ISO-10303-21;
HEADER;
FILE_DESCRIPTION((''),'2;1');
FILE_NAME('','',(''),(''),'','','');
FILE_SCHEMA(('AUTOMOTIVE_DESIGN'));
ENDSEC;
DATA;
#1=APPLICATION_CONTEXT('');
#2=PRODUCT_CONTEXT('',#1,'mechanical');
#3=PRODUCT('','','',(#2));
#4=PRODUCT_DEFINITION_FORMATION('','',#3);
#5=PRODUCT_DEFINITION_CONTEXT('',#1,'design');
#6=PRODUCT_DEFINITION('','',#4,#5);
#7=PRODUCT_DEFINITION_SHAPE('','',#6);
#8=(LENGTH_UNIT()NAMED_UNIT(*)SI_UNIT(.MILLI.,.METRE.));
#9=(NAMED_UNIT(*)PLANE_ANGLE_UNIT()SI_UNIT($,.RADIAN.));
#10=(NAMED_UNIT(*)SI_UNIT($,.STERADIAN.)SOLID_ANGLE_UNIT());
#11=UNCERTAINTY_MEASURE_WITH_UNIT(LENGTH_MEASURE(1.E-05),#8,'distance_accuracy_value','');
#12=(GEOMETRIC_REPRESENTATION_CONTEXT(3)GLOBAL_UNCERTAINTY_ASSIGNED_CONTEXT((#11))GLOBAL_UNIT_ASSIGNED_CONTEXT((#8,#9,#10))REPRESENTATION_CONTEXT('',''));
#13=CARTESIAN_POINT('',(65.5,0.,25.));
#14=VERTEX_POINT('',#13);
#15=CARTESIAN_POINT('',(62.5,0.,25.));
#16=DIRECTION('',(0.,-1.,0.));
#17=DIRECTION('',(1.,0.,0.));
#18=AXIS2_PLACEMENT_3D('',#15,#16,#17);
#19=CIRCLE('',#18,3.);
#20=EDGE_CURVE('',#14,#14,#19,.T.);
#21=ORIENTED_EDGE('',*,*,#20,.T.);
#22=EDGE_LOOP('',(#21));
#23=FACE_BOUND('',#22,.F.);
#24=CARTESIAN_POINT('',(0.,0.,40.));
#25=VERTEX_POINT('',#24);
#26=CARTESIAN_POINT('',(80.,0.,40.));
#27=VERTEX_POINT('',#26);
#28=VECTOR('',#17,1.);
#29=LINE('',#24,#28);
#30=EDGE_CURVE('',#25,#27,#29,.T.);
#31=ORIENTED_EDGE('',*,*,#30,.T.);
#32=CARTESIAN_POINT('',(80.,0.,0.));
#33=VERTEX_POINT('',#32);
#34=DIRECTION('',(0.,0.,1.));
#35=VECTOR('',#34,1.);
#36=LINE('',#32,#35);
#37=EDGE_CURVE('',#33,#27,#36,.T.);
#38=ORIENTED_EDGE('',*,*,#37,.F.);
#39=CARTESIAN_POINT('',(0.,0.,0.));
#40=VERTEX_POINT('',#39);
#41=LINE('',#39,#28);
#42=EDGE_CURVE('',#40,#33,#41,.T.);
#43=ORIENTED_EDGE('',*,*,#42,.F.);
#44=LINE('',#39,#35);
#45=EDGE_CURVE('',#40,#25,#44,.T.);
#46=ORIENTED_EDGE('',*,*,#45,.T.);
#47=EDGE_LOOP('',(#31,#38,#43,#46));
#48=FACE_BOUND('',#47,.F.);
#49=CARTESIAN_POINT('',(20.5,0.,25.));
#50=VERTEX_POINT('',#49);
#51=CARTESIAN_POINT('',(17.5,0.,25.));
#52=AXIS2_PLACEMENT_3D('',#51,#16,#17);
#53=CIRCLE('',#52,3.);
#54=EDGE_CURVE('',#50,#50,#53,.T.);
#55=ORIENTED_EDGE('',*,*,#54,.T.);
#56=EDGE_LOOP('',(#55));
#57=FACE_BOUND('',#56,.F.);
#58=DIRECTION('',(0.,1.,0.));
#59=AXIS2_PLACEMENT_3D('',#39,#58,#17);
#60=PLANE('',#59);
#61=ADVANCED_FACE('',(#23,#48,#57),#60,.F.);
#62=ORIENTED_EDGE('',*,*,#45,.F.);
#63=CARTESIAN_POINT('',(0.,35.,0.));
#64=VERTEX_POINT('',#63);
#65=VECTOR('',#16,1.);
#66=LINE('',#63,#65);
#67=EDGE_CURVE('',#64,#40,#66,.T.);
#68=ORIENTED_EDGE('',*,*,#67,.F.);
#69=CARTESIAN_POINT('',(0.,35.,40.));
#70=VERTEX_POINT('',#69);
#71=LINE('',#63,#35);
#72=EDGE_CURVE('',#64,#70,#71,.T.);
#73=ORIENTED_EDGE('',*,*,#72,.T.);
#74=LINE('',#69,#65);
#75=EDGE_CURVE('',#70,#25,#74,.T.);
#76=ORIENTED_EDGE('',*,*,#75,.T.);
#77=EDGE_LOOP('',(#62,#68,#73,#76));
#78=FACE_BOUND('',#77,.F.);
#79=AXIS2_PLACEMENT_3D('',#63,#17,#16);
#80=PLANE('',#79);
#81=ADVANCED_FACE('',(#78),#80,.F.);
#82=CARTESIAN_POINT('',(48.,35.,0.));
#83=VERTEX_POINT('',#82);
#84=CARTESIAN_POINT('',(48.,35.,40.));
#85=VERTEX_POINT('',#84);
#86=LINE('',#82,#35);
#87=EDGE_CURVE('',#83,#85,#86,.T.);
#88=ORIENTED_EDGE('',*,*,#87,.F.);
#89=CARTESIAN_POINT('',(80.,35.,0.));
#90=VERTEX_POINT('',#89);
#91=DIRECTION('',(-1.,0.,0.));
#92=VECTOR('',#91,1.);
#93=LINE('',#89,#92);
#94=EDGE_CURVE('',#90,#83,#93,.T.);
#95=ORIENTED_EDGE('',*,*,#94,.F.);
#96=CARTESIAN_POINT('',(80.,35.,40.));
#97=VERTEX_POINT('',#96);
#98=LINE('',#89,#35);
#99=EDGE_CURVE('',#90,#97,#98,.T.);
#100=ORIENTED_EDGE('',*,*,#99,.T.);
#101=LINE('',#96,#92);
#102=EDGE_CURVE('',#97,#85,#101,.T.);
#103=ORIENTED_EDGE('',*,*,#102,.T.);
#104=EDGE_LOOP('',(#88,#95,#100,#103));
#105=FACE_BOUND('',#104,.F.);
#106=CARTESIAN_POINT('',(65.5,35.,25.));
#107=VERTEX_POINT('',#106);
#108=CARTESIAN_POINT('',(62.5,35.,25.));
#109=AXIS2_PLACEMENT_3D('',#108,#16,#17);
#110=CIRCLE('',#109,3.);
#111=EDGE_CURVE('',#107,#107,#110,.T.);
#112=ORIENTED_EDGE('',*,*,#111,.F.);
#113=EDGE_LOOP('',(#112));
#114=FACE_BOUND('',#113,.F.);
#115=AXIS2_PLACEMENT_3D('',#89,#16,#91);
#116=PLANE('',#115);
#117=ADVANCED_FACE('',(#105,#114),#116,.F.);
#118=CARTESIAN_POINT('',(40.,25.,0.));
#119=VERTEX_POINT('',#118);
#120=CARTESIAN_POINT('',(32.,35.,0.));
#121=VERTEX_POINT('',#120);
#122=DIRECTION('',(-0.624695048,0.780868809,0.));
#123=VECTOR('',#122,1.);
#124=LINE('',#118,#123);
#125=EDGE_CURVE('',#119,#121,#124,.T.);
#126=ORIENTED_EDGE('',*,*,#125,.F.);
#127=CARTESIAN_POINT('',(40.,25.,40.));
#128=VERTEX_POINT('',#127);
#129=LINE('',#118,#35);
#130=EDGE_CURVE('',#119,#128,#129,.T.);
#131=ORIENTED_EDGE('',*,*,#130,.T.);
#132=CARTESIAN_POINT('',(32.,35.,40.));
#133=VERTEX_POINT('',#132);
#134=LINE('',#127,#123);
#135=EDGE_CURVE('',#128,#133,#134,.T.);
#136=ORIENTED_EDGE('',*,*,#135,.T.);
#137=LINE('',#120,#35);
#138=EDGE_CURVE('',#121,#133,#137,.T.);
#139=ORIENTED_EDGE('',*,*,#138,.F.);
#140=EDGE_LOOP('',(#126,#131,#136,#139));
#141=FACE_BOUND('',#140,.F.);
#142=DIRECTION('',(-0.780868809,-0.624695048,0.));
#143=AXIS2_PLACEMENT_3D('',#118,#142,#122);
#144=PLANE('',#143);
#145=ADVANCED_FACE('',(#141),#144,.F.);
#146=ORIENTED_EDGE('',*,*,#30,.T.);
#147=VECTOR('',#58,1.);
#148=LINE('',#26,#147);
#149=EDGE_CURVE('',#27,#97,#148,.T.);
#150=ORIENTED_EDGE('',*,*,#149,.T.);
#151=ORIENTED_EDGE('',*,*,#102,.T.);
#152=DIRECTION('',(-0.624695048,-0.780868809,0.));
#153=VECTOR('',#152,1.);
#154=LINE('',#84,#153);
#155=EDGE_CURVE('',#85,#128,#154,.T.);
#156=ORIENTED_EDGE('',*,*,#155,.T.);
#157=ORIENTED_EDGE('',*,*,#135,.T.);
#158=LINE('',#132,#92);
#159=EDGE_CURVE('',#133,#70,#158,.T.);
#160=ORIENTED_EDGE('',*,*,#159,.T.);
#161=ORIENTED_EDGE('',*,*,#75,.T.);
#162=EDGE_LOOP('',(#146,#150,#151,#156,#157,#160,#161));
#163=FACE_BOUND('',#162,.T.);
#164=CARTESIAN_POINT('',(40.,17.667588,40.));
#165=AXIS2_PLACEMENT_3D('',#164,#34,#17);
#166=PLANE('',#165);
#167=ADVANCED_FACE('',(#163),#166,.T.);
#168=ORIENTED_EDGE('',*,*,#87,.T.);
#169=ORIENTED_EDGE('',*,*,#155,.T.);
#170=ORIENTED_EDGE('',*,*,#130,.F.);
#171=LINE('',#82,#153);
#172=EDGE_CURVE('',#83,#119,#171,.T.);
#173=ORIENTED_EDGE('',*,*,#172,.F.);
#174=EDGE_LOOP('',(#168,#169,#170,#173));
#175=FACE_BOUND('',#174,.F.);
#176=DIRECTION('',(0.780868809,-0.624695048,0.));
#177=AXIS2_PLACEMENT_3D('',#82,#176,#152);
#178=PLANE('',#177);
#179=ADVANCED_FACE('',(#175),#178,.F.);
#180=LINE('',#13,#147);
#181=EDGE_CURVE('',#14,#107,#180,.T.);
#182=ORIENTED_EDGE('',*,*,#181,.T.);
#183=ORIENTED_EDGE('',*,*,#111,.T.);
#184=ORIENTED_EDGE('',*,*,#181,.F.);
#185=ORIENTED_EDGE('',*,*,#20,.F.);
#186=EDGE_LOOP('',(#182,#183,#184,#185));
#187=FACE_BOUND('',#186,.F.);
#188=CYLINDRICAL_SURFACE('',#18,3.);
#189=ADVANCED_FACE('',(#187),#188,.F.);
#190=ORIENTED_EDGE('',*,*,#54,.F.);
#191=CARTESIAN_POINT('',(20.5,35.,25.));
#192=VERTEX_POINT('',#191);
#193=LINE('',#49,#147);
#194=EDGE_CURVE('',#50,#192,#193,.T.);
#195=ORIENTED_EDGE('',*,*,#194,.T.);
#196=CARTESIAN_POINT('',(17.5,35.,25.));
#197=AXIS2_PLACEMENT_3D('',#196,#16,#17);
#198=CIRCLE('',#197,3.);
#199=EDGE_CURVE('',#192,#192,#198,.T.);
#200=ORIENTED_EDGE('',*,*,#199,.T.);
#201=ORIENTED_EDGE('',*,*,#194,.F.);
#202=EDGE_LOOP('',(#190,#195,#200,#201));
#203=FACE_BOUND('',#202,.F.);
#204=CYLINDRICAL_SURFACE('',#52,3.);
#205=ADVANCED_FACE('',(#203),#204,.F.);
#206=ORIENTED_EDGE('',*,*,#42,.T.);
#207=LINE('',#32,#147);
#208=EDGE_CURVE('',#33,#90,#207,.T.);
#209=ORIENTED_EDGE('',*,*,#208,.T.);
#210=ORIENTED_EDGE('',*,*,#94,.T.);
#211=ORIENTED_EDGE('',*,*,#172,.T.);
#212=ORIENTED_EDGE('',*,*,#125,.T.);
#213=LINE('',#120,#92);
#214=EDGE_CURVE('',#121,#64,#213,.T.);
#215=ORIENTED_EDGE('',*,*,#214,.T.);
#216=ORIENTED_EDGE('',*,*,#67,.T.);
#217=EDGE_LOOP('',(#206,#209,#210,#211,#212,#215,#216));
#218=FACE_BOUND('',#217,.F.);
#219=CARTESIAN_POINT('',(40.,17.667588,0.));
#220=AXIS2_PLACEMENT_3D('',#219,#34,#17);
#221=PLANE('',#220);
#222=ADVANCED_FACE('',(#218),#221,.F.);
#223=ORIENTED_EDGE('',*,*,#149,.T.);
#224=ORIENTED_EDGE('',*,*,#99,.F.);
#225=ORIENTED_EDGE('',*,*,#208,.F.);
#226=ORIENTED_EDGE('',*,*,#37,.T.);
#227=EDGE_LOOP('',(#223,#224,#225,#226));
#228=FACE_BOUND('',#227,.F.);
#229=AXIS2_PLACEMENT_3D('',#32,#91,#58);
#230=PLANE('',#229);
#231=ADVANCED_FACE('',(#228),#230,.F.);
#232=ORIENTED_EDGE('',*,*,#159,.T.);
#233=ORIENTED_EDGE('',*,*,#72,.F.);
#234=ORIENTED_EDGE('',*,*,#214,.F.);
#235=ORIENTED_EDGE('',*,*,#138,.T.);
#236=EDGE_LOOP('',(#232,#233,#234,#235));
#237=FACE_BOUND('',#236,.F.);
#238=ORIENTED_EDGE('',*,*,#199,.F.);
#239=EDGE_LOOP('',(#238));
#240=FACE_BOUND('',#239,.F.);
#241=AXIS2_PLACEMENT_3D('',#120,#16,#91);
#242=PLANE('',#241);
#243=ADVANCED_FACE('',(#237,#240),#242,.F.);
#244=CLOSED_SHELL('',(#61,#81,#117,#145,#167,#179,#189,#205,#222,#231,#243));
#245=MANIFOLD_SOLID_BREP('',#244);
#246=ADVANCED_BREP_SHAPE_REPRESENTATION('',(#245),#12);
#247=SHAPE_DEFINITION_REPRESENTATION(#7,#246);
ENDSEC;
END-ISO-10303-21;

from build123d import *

# Parameters (mm, degrees)
F1_DEPTH = 40
F2_R     = 3
F3_DEPTH = 35.001


with BuildPart() as f1:
    # F0 (on Top) → F1 (new body)
    with BuildSketch(Plane.XY):
        Polygon((0, 35), (0, 0), (80, 0), (80, 35), (48, 35), (40, 25), (32, 35), align=None)
    extrude(amount=F1_DEPTH)

    # F2 (on face) → F3 (cut, through all)
    with BuildSketch(Plane.XZ):
        with Locations((17.5, 25)):
            Circle(F2_R)
        with Locations((62.5, 25)):
            Circle(F2_R)
    extrude(amount=-F3_DEPTH, mode=Mode.SUBTRACT)


solid = f1.part
